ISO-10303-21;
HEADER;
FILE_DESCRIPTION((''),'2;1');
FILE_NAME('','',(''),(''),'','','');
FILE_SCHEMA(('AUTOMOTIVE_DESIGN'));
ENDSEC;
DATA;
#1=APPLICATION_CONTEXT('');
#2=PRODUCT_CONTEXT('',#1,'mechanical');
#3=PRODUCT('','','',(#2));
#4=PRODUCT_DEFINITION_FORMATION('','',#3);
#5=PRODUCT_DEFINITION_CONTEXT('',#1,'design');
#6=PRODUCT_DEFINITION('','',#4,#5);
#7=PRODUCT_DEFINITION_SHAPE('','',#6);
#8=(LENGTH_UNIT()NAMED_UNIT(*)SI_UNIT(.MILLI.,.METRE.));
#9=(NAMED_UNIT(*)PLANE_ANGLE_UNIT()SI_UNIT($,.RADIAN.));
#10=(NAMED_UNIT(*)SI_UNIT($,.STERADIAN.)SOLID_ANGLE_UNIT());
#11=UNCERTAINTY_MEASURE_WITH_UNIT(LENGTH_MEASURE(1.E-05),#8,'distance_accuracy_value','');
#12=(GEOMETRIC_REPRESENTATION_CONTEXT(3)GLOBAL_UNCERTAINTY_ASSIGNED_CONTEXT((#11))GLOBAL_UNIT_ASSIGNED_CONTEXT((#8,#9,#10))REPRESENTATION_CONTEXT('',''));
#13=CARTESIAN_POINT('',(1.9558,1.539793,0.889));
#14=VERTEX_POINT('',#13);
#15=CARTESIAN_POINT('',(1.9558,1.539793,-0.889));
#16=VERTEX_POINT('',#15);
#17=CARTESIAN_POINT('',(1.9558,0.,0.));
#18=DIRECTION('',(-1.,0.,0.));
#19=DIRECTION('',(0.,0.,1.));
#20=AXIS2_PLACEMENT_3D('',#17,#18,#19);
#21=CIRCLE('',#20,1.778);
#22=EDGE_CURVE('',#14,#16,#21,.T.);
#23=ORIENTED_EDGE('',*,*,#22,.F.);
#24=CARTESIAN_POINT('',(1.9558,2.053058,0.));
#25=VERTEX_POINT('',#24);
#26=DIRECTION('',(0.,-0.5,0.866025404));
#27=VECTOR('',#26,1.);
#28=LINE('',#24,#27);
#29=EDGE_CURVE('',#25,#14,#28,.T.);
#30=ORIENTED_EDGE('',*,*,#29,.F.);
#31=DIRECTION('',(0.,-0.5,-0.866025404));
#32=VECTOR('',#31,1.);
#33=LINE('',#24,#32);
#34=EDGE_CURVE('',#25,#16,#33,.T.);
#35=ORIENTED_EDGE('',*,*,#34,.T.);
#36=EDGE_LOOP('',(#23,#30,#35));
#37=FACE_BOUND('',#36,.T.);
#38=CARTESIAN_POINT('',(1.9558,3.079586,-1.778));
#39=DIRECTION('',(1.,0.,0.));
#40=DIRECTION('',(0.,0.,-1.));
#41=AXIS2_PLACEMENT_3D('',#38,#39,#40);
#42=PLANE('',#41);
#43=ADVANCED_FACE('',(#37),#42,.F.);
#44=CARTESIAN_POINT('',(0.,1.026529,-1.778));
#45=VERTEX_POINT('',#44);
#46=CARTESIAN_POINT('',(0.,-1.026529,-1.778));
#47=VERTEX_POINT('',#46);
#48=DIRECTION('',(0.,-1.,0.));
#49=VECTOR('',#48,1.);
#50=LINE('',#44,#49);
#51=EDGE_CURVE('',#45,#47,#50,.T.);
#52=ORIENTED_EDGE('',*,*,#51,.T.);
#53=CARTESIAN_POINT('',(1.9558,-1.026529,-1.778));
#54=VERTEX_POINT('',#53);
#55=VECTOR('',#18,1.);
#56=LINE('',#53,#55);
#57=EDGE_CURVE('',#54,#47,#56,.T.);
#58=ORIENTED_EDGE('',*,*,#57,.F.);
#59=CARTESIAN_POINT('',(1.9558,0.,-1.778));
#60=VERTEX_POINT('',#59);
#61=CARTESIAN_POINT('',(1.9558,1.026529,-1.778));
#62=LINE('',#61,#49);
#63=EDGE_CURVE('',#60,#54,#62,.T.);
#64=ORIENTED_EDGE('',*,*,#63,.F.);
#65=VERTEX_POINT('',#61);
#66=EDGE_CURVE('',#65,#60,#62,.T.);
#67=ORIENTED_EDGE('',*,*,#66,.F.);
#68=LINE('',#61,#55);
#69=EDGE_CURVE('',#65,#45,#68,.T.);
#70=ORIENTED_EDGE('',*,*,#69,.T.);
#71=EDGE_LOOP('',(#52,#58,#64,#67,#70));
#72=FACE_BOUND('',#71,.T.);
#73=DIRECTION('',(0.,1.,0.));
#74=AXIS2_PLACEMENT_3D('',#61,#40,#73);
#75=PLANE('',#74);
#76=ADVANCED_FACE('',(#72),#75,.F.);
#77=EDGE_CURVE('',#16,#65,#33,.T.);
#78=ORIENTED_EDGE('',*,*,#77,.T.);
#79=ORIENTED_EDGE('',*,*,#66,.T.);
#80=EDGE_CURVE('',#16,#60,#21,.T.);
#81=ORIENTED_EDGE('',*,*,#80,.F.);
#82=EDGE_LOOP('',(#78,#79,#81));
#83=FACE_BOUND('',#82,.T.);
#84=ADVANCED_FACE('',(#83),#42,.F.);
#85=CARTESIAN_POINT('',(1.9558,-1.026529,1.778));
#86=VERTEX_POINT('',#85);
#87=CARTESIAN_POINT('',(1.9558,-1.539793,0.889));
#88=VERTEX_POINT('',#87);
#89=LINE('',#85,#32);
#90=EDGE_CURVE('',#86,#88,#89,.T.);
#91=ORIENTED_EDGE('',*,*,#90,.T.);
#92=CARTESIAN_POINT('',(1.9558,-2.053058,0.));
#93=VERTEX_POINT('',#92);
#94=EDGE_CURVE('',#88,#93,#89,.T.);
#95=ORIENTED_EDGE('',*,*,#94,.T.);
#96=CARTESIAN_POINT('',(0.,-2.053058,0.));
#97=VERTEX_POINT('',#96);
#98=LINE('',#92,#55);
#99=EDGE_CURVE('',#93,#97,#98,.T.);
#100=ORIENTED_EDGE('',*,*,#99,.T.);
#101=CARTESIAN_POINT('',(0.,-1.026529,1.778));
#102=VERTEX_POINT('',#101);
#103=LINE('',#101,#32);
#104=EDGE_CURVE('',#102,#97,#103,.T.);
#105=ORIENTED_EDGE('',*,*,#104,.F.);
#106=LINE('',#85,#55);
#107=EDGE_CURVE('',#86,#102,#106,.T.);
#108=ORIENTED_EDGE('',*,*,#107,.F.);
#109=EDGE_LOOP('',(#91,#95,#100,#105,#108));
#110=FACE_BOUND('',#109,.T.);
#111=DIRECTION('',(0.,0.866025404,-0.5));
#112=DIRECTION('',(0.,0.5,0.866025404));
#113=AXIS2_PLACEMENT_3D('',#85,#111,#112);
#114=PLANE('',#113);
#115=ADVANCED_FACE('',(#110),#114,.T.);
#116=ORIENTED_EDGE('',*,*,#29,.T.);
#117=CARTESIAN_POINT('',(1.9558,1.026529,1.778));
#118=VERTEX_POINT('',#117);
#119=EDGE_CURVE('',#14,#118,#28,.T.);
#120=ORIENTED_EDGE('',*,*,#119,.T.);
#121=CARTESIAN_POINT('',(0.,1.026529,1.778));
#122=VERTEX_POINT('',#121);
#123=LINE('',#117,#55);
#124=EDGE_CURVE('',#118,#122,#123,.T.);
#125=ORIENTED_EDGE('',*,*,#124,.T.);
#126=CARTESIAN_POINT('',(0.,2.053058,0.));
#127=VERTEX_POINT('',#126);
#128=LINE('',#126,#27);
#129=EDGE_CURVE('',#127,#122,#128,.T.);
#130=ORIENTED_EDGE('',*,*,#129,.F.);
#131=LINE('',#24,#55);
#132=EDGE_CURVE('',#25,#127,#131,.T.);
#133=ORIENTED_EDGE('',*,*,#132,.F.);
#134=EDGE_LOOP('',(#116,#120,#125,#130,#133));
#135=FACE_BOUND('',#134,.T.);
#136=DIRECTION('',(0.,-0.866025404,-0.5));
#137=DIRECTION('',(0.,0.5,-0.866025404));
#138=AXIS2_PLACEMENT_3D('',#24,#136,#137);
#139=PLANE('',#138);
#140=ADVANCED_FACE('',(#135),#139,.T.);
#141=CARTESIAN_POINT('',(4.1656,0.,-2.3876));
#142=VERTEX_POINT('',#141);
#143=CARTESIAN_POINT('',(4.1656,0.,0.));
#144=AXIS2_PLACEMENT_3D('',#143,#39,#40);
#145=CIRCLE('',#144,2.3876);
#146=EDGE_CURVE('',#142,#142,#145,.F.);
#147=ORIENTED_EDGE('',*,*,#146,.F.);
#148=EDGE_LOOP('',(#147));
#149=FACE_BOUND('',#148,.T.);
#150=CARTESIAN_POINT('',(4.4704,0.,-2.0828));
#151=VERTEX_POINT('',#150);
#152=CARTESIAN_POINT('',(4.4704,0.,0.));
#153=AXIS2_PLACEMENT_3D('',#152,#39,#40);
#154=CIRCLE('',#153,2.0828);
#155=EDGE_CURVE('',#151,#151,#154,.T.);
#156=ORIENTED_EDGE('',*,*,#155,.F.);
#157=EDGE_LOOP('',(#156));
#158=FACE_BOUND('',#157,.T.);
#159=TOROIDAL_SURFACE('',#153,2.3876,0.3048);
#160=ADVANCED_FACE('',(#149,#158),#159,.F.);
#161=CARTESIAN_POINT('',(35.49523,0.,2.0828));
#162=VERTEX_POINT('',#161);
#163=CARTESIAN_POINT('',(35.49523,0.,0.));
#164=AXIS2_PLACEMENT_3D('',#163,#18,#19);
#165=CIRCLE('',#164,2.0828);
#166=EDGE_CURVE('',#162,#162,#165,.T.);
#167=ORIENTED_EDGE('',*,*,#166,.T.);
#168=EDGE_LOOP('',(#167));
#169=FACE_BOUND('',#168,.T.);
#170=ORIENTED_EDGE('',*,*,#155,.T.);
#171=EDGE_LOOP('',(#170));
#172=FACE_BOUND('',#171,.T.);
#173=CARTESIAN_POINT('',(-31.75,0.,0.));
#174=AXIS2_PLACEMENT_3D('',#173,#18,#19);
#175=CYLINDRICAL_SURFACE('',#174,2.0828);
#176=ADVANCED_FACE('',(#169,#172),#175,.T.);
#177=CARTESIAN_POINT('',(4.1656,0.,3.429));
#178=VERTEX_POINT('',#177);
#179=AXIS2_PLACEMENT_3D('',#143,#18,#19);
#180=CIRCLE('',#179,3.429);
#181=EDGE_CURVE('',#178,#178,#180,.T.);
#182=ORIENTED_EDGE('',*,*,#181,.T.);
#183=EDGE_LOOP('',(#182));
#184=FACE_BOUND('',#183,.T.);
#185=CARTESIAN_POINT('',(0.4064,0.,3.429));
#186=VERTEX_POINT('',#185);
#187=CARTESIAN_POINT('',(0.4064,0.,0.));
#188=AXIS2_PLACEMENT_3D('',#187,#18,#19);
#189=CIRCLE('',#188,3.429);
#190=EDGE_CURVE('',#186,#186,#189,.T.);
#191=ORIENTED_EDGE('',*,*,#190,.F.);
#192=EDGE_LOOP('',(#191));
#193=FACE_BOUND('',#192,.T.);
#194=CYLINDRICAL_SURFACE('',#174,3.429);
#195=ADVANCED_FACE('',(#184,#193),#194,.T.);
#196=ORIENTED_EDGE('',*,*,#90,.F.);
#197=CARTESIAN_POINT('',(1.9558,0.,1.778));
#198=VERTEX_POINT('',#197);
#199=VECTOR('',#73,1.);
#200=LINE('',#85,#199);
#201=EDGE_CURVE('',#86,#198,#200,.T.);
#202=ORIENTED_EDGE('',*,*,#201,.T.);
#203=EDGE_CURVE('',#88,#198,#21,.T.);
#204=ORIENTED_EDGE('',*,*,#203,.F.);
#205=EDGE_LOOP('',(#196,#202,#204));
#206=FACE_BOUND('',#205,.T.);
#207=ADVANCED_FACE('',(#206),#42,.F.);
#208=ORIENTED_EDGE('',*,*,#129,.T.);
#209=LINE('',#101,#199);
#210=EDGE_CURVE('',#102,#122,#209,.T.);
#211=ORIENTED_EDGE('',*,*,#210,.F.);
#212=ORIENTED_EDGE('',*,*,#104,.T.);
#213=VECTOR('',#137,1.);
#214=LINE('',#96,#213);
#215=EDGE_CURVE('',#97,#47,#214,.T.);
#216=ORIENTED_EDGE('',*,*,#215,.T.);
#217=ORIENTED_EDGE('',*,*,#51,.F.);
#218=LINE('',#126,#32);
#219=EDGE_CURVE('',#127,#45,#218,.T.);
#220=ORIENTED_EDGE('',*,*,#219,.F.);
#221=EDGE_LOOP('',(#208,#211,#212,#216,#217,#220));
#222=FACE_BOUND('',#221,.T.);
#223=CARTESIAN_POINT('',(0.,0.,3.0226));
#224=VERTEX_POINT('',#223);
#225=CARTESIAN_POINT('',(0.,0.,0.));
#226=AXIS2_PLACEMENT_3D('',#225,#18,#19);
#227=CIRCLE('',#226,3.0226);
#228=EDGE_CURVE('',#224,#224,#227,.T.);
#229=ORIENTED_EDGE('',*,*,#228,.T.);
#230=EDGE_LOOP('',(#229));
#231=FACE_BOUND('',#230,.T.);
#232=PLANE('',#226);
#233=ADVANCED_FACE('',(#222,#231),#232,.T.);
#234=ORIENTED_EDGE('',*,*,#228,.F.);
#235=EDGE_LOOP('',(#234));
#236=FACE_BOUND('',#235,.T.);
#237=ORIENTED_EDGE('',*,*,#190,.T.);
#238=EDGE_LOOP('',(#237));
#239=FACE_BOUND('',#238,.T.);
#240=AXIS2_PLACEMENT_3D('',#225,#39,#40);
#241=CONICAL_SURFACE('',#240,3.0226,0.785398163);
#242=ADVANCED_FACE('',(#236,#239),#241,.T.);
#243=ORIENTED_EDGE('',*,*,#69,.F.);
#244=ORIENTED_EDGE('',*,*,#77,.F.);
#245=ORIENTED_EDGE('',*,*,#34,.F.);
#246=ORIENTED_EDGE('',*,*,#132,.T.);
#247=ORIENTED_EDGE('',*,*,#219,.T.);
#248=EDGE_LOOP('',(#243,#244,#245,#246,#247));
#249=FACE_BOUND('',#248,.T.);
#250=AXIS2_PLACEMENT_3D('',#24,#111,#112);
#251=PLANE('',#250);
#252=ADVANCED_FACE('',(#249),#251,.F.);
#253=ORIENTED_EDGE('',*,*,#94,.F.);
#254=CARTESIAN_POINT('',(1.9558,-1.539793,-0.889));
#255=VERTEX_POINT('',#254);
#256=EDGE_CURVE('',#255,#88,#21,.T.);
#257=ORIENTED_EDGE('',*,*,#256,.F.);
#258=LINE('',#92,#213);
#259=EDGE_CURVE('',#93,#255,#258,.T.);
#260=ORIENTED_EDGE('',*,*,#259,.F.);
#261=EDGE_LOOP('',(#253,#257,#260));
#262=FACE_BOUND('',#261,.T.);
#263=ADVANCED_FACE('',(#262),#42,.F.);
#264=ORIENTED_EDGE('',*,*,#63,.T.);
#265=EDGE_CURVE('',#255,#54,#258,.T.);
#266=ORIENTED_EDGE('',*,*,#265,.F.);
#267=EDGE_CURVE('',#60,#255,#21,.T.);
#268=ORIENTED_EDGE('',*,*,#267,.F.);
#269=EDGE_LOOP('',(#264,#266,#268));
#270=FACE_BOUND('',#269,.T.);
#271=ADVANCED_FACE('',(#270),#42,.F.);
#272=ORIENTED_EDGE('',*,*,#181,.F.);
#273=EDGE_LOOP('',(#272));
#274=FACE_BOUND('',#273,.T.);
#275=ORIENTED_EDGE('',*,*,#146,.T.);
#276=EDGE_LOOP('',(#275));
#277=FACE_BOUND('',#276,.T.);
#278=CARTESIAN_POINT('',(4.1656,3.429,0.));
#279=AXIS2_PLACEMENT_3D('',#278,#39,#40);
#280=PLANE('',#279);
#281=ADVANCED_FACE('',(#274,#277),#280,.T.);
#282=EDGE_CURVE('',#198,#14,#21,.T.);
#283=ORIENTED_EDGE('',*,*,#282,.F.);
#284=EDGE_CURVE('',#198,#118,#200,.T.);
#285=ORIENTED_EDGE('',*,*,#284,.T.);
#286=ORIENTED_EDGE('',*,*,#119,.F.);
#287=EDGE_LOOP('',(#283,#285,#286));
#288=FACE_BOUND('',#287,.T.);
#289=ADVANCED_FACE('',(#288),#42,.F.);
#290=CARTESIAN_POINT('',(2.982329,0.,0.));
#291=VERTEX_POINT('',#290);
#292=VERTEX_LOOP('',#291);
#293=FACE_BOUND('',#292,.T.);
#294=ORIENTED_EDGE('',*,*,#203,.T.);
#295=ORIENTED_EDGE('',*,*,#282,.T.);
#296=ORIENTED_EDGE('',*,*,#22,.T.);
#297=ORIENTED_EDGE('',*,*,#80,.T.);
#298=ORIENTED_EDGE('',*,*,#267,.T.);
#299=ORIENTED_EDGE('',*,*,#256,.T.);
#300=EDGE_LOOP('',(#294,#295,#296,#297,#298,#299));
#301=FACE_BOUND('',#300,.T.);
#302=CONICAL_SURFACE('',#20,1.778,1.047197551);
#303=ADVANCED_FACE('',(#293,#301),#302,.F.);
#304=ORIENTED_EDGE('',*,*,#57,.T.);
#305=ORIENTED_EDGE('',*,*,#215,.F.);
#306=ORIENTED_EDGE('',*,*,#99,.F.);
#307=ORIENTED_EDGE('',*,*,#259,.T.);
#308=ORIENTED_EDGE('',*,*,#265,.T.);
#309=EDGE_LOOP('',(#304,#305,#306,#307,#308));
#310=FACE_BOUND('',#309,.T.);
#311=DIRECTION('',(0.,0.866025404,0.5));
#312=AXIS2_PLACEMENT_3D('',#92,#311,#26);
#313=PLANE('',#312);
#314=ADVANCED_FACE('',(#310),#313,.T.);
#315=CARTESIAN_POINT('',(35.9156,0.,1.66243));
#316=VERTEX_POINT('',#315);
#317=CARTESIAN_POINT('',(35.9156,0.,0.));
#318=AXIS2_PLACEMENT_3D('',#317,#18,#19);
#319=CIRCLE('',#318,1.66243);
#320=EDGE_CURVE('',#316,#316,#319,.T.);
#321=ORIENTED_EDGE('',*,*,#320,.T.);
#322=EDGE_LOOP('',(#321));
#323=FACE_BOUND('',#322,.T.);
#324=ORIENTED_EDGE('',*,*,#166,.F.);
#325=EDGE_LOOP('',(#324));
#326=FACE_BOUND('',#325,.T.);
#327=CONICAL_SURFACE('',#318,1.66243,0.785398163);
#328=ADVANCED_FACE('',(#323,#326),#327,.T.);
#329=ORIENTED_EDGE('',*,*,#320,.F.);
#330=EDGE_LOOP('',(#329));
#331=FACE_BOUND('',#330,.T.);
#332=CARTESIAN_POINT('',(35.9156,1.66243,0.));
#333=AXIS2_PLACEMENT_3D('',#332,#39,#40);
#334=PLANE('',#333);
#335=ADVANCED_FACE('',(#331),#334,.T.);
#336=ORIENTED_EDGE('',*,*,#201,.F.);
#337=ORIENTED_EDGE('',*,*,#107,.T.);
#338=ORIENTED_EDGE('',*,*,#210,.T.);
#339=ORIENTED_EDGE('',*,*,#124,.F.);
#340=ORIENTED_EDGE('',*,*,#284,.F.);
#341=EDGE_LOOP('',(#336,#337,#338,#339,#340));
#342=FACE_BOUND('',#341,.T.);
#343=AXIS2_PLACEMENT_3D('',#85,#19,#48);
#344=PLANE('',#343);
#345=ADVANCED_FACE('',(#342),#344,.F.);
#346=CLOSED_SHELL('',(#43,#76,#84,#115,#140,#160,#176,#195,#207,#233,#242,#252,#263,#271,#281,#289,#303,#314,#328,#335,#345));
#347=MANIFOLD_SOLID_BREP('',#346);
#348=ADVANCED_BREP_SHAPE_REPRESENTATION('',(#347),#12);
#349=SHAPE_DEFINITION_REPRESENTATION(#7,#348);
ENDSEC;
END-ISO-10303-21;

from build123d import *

# Parameters (mm, degrees)
FILLET1_R   = 0.3048
HEX_2_DEPTH = 1.9558


with BuildPart() as part:
    # BodySke → Base-Revolve (revolve)
    with BuildSketch(Plane.XY, mode=Mode.PRIVATE) as base_revolve_sk:
        Polygon((0, 0), (0, 3.0226), (0.4064, 3.429), (4.1656, 3.429), (4.1656, 2.0828), (35.49523, 2.0828), (35.9156, 1.66243), (35.9156, 0), align=None)
    revolve(base_revolve_sk.sketch.rotate(Axis((-31.75, 0, 0), (1, 0, 0)), 90), axis=Axis((-31.75, 0, 0), (1, 0, 0)))

    # Fillet1
    fillet1_edges = [part.edges().sort_by_distance(p)[0] for p in [
        (4.1656, 0, -2.0828),
    ]]
    fillet(fillet1_edges, radius=FILLET1_R)

    # Sketch2 → Hex-PreBroach (revolve, cut)
    with BuildSketch(Plane.XY, mode=Mode.PRIVATE) as hex_prebroach_sk:
        Polygon((0, 1.778), (1.9558, 1.778), (2.982328779, 0), (0, 0), align=None)
    revolve(hex_prebroach_sk.sketch.rotate(Axis((0, 0, 0), (1, 0, 0)), 90), axis=Axis((0, 0, 0), (1, 0, 0)), mode=Mode.SUBTRACT)

    # Sketch3 → Hex 2 (cut)
    with BuildSketch(Plane(origin=(0, 0, 0), x_dir=(0, 0.500000000000001, 0.866025403784438), z_dir=(-1, 0, 0))):
        Polygon((1.026528779, 1.778), (-1.026528779, 1.778), (-2.053057557, 0), (-1.026528779, -1.778), (1.026528779, -1.778), (2.053057557, 0), align=None)
    extrude(amount=-HEX_2_DEPTH, mode=Mode.SUBTRACT)


solid = part.part
